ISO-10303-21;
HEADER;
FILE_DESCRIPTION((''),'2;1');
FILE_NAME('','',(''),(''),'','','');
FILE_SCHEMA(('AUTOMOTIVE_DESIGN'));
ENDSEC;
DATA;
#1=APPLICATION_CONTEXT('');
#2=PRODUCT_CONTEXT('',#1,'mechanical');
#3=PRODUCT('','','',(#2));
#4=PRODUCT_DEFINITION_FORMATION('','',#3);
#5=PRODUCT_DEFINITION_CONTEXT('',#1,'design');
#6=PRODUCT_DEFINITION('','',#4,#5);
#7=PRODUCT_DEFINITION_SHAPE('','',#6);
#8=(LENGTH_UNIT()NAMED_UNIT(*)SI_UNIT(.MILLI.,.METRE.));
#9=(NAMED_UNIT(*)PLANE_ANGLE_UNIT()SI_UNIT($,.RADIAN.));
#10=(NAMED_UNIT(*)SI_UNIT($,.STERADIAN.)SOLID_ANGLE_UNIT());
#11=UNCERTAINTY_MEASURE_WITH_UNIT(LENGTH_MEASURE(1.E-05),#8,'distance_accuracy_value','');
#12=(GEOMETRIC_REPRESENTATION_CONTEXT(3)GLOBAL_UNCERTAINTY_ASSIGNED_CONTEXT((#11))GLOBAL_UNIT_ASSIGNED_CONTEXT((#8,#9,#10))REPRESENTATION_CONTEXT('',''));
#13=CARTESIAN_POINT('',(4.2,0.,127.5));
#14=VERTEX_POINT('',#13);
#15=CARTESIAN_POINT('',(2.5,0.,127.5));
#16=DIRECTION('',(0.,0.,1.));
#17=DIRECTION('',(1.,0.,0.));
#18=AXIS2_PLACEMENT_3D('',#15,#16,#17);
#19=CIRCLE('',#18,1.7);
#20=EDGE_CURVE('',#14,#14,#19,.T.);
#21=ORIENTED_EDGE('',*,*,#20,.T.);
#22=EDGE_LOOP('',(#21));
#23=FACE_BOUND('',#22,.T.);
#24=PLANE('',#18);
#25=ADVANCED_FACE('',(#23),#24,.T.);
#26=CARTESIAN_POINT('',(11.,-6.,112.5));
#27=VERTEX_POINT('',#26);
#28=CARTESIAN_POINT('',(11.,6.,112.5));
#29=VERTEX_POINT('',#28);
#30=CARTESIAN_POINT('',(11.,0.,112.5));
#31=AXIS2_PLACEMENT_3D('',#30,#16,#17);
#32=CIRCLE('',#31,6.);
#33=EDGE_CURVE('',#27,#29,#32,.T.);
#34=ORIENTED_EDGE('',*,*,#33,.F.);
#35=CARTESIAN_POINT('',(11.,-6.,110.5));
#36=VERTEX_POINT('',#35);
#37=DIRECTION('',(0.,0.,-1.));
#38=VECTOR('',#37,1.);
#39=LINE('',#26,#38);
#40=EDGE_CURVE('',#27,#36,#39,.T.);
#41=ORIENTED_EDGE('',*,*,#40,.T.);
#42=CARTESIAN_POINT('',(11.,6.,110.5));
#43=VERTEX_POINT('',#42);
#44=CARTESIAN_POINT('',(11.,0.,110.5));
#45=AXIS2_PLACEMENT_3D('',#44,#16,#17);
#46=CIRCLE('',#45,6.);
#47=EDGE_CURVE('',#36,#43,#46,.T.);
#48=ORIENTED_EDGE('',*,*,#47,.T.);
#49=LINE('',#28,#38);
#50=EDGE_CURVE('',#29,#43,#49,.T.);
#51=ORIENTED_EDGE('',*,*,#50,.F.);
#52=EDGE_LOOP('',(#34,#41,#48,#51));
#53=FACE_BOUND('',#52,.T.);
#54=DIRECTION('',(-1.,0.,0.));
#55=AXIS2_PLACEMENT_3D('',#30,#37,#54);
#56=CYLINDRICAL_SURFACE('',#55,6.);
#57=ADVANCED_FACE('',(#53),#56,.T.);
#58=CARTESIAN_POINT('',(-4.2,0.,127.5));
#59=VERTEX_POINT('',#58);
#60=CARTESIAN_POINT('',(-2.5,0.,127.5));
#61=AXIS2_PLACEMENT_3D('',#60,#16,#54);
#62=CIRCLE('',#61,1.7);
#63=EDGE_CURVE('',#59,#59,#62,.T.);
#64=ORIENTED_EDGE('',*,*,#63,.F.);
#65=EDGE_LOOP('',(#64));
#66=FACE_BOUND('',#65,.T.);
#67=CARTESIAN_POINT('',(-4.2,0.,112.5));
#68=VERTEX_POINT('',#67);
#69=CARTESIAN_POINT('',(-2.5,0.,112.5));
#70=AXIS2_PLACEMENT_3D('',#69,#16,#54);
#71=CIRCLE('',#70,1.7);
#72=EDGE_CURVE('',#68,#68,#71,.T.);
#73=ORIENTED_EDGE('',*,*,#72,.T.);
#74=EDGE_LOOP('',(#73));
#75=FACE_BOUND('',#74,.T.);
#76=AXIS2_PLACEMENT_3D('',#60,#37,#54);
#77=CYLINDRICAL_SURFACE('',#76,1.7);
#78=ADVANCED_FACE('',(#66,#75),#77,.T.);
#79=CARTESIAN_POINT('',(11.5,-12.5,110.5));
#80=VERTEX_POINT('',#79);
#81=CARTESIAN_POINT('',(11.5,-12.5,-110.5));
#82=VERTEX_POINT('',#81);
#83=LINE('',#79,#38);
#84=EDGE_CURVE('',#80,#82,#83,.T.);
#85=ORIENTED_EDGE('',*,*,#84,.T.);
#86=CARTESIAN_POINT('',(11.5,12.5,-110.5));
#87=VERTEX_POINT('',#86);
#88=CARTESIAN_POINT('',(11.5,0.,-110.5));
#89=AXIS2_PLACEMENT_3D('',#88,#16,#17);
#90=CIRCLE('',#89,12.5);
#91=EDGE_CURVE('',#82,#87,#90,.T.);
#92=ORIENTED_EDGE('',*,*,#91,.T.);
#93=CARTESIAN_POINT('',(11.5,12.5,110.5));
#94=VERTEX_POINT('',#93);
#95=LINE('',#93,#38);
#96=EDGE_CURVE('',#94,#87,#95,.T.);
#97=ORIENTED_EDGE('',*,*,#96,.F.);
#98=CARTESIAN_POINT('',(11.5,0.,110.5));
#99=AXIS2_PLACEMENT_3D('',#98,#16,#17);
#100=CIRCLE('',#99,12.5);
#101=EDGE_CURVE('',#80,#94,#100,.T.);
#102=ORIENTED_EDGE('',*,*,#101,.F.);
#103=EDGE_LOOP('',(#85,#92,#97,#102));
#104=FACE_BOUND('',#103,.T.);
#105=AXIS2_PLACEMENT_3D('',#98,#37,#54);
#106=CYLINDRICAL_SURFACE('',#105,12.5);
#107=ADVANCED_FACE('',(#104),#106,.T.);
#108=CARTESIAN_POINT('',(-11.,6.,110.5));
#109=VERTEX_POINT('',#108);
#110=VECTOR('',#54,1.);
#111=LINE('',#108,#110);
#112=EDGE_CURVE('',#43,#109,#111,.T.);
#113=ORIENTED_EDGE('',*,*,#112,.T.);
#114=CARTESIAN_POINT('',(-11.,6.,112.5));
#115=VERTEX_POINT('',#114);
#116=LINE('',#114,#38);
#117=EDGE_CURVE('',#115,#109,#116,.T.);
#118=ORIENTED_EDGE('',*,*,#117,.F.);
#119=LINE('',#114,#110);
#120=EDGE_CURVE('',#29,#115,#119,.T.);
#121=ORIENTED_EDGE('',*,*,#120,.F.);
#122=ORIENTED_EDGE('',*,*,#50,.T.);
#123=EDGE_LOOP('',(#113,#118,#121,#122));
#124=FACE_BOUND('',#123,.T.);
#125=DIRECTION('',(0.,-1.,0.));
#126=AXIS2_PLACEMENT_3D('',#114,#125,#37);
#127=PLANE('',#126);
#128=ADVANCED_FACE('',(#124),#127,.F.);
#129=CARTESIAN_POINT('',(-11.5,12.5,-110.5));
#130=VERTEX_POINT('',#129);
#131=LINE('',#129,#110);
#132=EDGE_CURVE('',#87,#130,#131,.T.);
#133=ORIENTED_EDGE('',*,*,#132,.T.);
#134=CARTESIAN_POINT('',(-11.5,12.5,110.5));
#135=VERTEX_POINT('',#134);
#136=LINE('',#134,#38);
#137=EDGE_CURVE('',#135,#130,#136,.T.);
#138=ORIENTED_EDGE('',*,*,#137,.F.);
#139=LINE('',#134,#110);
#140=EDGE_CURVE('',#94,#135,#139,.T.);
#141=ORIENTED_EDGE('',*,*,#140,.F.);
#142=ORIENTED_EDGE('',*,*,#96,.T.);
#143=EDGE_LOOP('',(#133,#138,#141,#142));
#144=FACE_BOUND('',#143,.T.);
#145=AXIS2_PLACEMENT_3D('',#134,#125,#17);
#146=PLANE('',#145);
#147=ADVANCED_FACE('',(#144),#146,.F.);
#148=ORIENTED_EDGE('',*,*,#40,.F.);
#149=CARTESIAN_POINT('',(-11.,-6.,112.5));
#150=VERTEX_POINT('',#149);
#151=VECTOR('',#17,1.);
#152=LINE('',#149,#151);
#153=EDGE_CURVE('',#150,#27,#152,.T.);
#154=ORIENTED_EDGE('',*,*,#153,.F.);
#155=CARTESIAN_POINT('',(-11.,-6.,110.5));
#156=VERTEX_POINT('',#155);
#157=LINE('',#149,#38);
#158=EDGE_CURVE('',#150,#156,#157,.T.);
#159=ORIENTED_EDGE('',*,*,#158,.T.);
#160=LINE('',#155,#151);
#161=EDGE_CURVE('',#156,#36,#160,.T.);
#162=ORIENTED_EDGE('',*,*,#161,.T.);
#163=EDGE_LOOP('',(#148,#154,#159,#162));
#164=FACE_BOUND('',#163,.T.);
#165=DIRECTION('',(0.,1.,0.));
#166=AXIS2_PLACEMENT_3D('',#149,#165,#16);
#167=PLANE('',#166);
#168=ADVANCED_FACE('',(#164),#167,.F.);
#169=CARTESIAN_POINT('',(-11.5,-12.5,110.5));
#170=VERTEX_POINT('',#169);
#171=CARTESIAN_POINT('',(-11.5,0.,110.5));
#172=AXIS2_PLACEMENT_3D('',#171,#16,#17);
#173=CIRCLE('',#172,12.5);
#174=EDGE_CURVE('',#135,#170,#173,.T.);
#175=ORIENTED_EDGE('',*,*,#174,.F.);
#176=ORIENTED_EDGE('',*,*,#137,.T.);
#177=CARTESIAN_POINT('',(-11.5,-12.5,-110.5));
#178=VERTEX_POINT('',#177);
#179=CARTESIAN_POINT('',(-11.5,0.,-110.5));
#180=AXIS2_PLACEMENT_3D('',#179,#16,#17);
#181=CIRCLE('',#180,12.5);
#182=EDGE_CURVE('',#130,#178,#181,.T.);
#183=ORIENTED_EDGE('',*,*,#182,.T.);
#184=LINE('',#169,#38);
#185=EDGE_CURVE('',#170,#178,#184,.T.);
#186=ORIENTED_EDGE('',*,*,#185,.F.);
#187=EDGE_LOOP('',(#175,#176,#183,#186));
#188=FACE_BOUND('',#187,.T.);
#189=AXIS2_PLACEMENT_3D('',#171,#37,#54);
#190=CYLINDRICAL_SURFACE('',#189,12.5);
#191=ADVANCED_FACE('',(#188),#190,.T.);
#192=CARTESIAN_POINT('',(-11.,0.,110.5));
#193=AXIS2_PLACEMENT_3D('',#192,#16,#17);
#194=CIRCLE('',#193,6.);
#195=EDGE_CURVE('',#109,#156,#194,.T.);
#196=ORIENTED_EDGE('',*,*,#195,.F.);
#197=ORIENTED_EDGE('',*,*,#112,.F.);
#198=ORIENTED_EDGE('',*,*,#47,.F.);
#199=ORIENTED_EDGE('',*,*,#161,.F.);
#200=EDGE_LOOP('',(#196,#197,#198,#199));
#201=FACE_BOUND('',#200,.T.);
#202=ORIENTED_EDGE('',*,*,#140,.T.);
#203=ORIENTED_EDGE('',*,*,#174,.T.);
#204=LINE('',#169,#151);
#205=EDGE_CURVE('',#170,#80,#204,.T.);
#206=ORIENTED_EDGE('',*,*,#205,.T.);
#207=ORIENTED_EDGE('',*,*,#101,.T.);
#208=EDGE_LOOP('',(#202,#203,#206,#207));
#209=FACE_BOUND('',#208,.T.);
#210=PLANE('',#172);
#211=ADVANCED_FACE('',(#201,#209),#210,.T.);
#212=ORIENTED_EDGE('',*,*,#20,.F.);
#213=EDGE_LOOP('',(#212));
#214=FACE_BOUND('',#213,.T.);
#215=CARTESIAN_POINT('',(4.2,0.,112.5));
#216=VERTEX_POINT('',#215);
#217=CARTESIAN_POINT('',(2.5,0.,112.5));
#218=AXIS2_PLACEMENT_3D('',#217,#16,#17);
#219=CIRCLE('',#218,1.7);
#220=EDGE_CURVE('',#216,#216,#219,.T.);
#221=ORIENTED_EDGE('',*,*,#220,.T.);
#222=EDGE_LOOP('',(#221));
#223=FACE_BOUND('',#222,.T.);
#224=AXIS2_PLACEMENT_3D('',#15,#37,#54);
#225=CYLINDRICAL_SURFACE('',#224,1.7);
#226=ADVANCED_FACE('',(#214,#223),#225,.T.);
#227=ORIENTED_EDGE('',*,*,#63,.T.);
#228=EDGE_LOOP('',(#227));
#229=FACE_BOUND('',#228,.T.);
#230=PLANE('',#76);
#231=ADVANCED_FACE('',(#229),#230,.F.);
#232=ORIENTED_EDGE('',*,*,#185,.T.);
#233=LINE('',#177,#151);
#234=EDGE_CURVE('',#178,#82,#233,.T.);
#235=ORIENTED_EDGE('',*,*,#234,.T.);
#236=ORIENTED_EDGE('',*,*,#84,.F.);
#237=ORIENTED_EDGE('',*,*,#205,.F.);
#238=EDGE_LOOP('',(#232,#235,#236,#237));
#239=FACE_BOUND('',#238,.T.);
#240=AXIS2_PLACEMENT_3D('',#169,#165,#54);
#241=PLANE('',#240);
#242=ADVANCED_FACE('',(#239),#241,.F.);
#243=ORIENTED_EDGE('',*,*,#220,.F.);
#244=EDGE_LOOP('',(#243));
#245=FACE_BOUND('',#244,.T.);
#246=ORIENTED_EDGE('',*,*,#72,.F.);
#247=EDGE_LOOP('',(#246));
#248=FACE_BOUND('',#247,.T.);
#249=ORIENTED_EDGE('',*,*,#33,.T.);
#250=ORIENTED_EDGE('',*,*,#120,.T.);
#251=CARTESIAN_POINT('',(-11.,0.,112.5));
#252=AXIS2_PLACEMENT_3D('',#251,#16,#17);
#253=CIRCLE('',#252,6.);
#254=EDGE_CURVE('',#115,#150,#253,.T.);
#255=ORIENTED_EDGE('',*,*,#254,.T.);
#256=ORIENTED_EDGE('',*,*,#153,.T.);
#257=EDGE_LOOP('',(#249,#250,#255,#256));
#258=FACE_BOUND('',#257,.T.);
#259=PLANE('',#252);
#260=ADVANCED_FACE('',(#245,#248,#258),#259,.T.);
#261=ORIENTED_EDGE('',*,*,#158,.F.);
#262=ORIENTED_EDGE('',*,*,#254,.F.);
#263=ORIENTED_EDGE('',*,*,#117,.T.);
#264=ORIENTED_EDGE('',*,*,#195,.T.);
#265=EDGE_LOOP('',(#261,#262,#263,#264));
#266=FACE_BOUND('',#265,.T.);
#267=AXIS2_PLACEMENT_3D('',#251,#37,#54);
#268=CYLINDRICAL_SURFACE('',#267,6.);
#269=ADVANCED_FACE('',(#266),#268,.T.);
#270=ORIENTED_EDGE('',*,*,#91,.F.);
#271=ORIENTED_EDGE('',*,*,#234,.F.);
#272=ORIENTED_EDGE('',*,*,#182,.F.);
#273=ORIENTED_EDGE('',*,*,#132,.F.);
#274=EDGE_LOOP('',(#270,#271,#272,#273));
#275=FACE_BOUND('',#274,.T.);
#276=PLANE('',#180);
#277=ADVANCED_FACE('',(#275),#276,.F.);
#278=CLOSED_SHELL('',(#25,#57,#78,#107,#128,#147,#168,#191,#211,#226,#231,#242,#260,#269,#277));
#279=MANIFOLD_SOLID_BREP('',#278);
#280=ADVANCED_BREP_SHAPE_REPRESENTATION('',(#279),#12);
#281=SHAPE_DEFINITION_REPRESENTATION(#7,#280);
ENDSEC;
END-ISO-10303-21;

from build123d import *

# Parameters (mm, degrees)
BOSS_EXTRU_1_DEPTH = 110.5
BOSS_EXTRU_2_DEPTH = 2
ESQUISSE3_R        = 1.7
BOSS_EXTRU_3_DEPTH = 15


with BuildPart() as part:
    # Esquisse1 → Boss.-Extru.1 (new, symmetric)
    with BuildSketch(Plane.XY):
        with BuildLine():
            Line((-11.5, 12.5), (11.5, 12.5))
            ThreePointArc((11.5, 12.5), (24, 0), (11.5, -12.5))
            Line((11.5, -12.5), (-11.5, -12.5))
            ThreePointArc((-11.5, -12.5), (-24, 0), (-11.5, 12.5))
        make_face()
    extrude(amount=BOSS_EXTRU_1_DEPTH, both=True)

    # Esquisse2 → Boss.-Extru.2 (add)
    with BuildSketch(Plane.XY.offset(110.5)):
        with BuildLine():
            Line((-11, 6), (11, 6))
            ThreePointArc((11, 6), (17, 0), (11, -6))
            Line((11, -6), (-11, -6))
            ThreePointArc((-11, -6), (-17, 0), (-11, 6))
        make_face()
    extrude(amount=BOSS_EXTRU_2_DEPTH)

    # Esquisse3 → Boss.-Extru.3 (add)
    with BuildSketch(Plane.XY.offset(112.5)):
        with Locations((2.5, 0)):
            Circle(ESQUISSE3_R)
        with Locations(Location((-2.5, 0, 0), (0, 0, 180))):
            Circle(ESQUISSE3_R)
    extrude(amount=BOSS_EXTRU_3_DEPTH)


solid = part.part
